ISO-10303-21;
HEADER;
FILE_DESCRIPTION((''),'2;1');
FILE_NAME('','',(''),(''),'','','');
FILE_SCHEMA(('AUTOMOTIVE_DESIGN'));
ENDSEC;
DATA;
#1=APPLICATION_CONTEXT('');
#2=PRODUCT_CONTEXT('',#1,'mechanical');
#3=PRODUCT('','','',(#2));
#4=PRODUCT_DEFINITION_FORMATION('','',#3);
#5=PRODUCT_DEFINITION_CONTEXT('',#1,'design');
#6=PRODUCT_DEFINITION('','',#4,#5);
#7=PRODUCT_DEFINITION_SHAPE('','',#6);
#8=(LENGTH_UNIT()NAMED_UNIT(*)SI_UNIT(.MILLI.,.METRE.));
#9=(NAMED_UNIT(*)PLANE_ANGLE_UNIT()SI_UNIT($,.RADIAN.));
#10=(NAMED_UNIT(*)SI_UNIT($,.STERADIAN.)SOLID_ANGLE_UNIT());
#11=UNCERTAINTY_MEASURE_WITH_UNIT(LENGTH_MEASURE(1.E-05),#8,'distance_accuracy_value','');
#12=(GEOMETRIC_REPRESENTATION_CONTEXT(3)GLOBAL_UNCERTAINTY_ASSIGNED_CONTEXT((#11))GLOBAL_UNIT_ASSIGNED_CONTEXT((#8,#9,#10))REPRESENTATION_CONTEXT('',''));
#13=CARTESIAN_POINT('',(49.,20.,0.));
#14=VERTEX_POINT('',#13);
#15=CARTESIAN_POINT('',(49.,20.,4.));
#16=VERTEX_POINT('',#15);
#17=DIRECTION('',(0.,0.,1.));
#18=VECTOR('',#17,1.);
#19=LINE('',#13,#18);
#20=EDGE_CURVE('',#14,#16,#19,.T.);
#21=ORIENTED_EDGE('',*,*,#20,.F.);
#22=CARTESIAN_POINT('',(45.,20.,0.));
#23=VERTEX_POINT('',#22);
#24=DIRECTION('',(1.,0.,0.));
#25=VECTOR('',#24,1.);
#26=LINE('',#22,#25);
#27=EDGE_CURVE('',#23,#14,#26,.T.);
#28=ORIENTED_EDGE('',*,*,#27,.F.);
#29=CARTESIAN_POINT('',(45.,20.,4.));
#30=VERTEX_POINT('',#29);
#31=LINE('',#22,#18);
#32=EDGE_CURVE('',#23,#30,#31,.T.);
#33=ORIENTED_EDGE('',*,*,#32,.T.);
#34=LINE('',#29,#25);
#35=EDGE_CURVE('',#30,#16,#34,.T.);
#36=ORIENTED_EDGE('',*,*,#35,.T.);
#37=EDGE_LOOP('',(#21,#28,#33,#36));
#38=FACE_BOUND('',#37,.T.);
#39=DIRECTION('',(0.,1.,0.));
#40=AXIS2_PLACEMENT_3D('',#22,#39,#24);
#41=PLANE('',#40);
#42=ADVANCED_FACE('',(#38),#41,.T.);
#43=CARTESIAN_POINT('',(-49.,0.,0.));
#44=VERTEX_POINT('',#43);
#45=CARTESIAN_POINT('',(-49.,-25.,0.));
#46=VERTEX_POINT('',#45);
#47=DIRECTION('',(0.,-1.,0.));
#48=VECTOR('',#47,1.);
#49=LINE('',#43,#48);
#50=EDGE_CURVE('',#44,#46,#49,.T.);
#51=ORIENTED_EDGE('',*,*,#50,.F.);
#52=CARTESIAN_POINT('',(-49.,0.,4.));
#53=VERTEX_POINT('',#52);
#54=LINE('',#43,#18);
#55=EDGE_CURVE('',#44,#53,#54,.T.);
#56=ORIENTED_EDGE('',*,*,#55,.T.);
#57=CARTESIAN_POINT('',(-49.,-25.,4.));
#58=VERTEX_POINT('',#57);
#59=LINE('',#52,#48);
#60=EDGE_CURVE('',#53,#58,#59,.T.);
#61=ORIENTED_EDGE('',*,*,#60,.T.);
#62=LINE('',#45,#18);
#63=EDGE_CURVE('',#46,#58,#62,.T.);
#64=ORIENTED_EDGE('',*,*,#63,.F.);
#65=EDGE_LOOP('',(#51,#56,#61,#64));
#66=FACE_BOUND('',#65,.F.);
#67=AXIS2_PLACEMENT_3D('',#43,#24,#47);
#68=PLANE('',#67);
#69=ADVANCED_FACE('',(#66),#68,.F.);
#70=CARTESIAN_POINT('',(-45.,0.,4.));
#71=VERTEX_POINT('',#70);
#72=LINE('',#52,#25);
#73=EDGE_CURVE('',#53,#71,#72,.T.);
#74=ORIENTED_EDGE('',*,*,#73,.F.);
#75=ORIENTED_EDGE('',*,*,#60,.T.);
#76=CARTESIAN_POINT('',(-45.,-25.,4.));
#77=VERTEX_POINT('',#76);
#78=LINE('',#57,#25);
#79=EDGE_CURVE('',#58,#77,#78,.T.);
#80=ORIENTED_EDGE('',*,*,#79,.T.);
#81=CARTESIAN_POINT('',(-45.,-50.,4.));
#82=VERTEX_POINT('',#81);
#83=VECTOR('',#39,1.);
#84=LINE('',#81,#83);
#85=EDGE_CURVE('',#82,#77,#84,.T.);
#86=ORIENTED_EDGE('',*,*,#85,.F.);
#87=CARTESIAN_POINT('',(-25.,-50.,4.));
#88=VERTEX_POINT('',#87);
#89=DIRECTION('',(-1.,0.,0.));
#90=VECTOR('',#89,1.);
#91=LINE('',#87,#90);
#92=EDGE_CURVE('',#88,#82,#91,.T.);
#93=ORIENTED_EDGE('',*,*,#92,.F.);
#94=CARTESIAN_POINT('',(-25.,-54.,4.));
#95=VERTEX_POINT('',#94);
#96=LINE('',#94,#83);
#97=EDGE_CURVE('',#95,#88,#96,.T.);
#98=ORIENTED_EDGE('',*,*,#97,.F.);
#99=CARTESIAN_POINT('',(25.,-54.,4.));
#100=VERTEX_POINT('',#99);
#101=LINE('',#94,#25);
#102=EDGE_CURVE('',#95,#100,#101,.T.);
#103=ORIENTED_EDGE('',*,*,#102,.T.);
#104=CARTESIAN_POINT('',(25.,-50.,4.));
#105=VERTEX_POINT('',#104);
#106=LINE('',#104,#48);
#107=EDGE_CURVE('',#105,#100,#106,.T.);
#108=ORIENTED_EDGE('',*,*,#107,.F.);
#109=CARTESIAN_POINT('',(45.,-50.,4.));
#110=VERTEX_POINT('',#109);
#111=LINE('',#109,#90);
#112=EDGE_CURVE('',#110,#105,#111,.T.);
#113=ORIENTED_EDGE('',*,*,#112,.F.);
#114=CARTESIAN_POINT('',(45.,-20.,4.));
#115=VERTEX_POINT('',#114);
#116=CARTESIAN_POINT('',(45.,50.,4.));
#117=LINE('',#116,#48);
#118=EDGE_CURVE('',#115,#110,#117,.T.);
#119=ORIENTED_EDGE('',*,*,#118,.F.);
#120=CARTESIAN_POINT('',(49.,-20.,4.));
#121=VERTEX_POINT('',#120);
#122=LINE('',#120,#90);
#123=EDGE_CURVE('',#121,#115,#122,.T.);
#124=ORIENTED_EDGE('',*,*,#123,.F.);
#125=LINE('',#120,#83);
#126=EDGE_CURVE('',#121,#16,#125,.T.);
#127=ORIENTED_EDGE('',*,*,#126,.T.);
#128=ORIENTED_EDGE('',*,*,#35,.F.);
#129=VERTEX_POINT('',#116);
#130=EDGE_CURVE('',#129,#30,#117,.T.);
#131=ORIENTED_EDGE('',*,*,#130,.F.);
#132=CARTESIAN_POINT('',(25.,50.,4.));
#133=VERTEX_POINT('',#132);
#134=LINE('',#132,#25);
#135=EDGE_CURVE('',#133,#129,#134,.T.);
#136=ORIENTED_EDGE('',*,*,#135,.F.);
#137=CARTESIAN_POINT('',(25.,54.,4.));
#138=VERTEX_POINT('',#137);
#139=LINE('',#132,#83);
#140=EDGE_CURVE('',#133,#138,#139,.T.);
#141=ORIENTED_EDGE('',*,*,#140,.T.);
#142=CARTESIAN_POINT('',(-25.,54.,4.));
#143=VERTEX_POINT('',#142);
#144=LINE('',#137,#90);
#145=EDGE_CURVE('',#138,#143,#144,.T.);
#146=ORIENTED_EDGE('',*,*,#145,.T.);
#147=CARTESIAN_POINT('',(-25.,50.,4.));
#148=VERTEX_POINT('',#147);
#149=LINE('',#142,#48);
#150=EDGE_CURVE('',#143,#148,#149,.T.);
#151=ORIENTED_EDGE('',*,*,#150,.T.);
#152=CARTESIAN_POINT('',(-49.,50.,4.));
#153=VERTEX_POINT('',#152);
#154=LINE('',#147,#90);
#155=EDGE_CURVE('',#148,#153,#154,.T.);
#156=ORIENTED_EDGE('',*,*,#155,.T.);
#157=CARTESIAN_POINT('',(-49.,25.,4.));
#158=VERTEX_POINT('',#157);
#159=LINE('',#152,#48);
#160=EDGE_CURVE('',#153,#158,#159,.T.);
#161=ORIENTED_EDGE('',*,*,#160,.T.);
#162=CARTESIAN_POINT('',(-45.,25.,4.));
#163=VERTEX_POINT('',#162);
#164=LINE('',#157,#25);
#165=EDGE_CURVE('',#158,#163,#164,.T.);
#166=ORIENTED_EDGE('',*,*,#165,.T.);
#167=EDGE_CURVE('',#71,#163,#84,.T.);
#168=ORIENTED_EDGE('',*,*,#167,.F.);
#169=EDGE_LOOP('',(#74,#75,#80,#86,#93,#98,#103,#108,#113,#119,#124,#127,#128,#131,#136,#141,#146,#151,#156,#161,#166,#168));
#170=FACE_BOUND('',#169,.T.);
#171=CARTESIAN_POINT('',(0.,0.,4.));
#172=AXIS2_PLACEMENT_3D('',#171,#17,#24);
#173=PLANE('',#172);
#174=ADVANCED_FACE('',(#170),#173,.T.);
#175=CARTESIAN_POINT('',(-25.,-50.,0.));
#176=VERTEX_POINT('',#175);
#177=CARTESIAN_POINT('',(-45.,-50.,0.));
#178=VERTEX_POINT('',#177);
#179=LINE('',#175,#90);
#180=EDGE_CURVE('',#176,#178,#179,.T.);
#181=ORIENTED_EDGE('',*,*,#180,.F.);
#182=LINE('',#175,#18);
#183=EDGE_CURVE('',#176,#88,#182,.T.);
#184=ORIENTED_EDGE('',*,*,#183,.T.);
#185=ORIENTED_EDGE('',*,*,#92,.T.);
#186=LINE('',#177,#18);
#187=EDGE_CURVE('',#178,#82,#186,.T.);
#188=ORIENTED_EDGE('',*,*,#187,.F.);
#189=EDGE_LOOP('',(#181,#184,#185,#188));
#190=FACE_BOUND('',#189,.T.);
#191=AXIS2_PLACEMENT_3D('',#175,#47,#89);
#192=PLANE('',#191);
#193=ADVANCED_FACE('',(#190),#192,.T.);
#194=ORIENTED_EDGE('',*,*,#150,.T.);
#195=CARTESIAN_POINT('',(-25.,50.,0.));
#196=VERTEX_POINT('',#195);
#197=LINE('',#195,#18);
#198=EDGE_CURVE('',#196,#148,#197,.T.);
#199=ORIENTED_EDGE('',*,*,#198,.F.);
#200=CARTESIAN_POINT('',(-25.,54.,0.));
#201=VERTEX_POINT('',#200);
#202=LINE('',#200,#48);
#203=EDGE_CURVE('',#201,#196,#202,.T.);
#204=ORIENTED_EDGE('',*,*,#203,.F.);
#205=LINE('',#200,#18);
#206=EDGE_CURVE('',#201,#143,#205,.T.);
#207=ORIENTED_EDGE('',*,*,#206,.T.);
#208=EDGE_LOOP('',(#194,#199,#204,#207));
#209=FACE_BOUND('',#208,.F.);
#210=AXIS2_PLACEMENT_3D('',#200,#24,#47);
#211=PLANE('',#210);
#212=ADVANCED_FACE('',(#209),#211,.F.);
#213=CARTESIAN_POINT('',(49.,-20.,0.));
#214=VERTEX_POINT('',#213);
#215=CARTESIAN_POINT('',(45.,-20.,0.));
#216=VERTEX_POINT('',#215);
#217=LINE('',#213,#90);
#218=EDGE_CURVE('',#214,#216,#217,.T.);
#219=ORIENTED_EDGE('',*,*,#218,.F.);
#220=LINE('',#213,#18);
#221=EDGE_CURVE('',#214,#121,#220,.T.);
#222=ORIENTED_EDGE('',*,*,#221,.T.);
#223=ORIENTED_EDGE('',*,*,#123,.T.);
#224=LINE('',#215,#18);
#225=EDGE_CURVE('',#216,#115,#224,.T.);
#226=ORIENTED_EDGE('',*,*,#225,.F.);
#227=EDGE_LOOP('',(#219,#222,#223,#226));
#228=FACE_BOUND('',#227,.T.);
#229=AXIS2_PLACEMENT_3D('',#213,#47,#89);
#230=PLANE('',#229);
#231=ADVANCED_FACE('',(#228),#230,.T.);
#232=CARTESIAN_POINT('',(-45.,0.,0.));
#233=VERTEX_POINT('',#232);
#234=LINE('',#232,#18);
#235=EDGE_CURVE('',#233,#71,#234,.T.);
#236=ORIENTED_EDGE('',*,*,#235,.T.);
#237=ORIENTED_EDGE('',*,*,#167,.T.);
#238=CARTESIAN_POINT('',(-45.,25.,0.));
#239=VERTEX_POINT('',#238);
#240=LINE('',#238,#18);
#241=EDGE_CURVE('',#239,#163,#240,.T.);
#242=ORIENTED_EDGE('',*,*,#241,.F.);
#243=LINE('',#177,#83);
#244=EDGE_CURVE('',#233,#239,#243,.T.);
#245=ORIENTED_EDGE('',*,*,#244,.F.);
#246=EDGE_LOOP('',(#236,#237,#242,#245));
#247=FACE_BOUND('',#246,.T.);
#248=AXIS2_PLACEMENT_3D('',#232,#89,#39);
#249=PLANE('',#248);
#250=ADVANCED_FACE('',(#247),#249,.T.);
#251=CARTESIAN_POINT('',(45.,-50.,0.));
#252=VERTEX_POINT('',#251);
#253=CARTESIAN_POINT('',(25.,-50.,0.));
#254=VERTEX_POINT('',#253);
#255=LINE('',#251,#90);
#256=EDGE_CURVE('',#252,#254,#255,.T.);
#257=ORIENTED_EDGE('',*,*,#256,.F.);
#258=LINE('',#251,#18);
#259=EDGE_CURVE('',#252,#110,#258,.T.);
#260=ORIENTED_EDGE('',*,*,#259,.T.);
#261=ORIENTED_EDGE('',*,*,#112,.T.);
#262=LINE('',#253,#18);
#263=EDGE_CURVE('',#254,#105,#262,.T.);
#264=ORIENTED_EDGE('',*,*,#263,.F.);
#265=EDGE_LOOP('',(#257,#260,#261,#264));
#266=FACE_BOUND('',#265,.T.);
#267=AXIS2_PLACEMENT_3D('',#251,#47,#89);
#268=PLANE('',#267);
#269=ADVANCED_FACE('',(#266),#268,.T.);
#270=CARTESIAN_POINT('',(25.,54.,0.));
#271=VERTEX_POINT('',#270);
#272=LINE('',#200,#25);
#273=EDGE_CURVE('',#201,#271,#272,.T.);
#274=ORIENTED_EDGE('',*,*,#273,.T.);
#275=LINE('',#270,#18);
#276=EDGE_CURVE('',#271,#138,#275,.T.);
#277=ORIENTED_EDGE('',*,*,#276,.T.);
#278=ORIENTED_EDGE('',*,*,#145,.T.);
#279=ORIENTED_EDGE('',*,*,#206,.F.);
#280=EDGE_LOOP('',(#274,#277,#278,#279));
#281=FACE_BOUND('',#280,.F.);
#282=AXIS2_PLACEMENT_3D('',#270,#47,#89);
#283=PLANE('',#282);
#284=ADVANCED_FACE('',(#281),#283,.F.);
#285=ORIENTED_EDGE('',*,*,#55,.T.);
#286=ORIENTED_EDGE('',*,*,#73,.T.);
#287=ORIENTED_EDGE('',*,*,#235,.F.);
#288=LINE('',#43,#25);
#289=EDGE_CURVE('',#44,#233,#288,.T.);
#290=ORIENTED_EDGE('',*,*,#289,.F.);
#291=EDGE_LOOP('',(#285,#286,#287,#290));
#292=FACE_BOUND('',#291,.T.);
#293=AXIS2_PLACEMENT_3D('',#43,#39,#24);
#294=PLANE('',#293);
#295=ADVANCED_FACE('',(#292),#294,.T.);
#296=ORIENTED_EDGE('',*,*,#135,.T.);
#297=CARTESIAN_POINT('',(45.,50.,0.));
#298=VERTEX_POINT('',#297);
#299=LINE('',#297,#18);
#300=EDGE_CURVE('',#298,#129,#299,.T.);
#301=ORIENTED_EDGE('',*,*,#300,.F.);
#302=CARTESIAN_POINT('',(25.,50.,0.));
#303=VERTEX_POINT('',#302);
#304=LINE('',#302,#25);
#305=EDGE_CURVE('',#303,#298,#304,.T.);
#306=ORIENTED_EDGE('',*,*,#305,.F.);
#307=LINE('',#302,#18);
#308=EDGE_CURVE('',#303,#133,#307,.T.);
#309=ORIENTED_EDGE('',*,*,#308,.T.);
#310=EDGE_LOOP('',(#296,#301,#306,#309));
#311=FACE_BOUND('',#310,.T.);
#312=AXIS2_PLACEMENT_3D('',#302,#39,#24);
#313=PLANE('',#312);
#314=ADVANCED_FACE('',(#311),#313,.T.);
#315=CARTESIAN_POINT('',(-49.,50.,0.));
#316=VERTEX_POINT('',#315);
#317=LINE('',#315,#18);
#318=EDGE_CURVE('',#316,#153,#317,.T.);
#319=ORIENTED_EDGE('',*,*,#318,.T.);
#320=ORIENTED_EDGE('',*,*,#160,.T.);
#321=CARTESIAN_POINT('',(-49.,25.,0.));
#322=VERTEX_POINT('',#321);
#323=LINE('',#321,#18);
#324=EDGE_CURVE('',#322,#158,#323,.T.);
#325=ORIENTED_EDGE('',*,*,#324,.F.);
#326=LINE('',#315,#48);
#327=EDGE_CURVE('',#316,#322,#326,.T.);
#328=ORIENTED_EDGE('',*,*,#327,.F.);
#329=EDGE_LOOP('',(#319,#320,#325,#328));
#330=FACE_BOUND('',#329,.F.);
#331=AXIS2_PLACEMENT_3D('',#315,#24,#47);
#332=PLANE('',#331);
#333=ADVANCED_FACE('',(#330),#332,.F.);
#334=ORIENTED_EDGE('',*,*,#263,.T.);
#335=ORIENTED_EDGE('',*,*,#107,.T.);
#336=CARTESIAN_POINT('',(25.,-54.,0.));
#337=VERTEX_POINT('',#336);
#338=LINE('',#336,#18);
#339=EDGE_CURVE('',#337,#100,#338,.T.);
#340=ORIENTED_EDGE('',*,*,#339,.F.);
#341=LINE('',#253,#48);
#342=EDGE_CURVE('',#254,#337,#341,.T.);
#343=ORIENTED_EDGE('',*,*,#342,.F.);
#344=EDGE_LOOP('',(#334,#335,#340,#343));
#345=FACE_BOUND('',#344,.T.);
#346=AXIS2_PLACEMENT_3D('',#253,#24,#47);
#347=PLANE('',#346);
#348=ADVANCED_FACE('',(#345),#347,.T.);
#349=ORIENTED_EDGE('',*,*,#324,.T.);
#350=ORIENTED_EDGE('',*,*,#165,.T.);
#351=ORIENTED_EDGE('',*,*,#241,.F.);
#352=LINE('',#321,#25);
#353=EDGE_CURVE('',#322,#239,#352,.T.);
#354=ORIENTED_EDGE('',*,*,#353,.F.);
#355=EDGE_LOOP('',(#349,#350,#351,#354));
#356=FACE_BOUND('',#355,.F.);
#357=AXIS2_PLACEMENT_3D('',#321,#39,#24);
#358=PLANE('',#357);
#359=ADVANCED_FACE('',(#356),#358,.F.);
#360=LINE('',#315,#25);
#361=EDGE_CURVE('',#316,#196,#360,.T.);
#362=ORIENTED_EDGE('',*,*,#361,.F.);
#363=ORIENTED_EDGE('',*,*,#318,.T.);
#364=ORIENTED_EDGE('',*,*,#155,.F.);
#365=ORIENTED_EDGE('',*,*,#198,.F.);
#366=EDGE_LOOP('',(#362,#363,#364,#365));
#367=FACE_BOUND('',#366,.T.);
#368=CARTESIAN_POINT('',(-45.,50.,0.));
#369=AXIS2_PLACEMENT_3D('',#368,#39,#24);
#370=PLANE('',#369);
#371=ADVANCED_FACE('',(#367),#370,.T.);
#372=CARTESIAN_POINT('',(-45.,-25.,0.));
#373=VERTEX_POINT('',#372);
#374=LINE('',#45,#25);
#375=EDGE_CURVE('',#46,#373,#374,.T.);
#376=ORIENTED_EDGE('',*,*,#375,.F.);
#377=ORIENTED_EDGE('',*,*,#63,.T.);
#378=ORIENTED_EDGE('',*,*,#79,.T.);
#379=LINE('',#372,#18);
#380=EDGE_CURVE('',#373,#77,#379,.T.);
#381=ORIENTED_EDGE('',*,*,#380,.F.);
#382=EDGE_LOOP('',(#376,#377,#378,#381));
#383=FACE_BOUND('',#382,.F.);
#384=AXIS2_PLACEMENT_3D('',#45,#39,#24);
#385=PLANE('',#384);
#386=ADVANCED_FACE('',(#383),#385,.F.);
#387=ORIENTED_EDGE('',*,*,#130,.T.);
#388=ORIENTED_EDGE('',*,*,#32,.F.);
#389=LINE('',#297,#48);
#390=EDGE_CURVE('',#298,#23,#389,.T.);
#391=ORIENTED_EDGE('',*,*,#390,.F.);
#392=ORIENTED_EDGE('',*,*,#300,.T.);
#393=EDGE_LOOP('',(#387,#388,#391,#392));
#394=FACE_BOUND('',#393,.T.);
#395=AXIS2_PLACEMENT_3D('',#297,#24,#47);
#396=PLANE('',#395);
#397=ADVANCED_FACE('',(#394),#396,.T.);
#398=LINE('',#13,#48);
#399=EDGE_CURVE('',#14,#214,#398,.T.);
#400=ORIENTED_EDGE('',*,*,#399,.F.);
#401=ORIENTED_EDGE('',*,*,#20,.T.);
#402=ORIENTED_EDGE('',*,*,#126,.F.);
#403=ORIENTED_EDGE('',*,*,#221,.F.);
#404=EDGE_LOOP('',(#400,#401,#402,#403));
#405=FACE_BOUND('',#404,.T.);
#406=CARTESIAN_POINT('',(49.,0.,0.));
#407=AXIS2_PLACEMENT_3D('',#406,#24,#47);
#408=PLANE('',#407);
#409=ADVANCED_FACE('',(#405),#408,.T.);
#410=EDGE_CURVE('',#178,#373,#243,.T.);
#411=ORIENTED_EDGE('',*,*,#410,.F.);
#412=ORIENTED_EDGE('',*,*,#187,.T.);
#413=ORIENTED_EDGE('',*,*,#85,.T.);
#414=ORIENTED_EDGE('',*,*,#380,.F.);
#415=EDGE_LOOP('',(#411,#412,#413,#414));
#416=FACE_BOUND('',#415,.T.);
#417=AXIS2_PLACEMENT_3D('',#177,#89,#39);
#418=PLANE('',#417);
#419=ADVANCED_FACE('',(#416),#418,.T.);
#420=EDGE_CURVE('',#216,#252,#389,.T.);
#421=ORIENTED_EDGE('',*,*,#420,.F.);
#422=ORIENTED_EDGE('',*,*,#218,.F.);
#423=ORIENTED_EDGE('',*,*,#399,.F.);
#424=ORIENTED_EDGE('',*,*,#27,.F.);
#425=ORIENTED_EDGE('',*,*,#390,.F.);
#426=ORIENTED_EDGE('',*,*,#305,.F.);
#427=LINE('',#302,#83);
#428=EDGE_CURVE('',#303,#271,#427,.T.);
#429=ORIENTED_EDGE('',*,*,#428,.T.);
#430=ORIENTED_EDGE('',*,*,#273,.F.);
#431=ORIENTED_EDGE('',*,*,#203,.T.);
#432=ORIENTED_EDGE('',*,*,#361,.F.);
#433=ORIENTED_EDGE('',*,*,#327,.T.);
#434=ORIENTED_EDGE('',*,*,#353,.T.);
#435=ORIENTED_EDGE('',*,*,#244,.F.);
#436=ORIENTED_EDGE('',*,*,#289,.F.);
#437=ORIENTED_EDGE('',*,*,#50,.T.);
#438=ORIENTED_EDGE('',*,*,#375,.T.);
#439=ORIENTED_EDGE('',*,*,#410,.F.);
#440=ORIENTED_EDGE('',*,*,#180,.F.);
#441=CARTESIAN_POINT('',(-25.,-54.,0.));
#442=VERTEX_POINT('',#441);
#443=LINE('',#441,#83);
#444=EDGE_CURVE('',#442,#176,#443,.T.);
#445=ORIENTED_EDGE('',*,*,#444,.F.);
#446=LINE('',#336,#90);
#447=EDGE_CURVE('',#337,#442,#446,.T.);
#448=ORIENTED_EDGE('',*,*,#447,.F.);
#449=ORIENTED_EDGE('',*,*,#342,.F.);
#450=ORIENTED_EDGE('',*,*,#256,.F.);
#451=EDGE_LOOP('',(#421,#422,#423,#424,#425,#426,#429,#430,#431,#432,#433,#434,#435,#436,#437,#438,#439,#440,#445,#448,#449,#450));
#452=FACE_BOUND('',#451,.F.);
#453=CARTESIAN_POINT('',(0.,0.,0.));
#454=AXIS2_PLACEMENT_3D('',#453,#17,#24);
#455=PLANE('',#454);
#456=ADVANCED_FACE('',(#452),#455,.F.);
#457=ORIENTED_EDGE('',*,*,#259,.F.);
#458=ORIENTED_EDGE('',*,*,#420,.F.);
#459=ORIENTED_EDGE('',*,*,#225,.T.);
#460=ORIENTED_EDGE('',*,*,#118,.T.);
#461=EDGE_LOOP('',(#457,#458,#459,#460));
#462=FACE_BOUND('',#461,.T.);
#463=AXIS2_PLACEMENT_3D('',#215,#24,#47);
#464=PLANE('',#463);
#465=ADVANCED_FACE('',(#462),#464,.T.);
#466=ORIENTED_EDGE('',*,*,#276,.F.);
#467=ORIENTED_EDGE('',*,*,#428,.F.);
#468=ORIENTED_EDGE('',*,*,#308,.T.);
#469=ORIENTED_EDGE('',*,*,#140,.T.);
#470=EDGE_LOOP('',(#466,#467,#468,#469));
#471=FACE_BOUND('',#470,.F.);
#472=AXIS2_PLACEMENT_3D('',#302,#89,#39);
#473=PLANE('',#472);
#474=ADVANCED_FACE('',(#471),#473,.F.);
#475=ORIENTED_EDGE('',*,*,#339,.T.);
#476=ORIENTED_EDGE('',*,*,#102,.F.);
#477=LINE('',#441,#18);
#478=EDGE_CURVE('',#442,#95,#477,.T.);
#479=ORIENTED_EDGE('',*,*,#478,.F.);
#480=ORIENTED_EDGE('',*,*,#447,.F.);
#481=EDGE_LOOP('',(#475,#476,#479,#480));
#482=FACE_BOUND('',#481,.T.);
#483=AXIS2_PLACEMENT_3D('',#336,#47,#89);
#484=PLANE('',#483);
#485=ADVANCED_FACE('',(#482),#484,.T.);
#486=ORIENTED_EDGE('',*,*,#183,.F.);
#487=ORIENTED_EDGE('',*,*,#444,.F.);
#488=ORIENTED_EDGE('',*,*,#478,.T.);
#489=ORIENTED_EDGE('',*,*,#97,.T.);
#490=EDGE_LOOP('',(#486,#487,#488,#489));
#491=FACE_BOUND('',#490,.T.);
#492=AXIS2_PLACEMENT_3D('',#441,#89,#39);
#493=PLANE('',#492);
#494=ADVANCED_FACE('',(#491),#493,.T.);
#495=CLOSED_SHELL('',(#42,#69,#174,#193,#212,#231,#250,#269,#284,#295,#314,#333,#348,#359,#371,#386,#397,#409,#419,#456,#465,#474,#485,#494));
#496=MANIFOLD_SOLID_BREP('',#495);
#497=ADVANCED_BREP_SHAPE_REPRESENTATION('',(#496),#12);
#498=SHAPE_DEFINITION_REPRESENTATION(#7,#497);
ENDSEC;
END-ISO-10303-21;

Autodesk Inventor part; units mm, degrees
ref_plane "YZ Plane" through (0, 0, 0) normal (1, 0, 0) x (0, 1, 0)
ref_plane "XZ Plane" through (0, 0, 0) normal (0, 1, 0) x (-1, 0, 0)
ref_plane "XY Plane" through (0, 0, 0) normal (0, 0, 1) x (1, 0, 0)
sketch "Sketch1" plane through (0, 0, 0) normal (0, 0, 1) x (1, 0, 0)
  line L0 (45, -50) -> (25, -50)
  line L1 (-45, -50) -> (-45, 50)
  line L2 (-45, 50) -> (-25, 50)
  line L3 (45, 50) -> (45, -50)
  line L4 (45, -50) -> (-45, 50) construction
  line L5 (-45, -50) -> (45, 50) construction
  line L6 (-25, 50) -> (25, 50) construction
  line L7 (25, 50) -> (25, 54)
  line L8 (25, 54) -> (-25, 54)
  line L9 (-25, 54) -> (-25, 50)
  line L10 (-25, -50) -> (25, -50) construction
  line L11 (25, -50) -> (25, -54)
  line L12 (25, -54) -> (-25, -54)
  line L13 (-25, -54) -> (-25, -50)
  line L14 (-45, 50) -> (-49, 50)
  line L15 (-49, 50) -> (-49, 25)
  line L16 (-49, 25) -> (-45, 25)
  line L17 (-45, 25) -> (-45, 50)
  line L18 (-45, 0) -> (-45, 25)
  line L19 (-45, 25) -> (-49, 25)
  line L20 (-49, 25) -> (-49, 0)
  line L21 (-49, 0) -> (-45, 0)
  line L22 (-45, -25) -> (-45, 0) construction
  line L23 (-45, 0) -> (-49, 0)
  line L24 (-49, 0) -> (-49, -25)
  line L25 (-49, -25) -> (-45, -25)
  line L26 (-45, -50) -> (-45, -25)
  line L27 (-45, -25) -> (-49, -25)
  line L28 (-49, -25) -> (-49, -50)
  line L29 (-49, -50) -> (-45, -50)
  line L30 (0, -75.6) -> (0, 75.6) projected
  line L31 (45, 20) -> (49, 20)
  line L32 (49, 20) -> (49, -20)
  line L33 (49, -20) -> (45, -20)
  line L34 (45, -20) -> (45, 20)
  line L35 (25, 50) -> (45, 50)
  line L36 (-25, 50) -> (25, 50) construction
  line L37 (-25, -50) -> (-45, -50)
  line L38 (25, -50) -> (-25, -50)
  line L39 (-68.6, 0) -> (68.6, 0) projected
  point P0 (0, 0)
  dimension "d0" = 90
  dimension "d1" = 100
  dimension "d2" = 50
  dimension "d3" = 4
  dimension "d4" = 50
  dimension "d5" = 4
  dimension "d6" = 4
  dimension "d7" = 25
  dimension "d10" = 25
  dimension "d17" = 4
  dimension "d18" = 40
extrude "Extrusion1" add sketch "Sketch1" along normal blind 4 contours L0 L38 L30 L39 L3 | L11 L12 L30 L38 | L3 L39 L32 L33 | L38 L37 L1 L39 L30 | L30 L12 L13 L38 | L39 L30 L8 L7 L35 L3 | L3 L31 L32 L39 | L39 L1 L2 L9 L8 L30 | L1 L25 L24 L21 | L16 L15 L14 L1
properties part number "CarSide_V1" material "Wood (Oak)"
